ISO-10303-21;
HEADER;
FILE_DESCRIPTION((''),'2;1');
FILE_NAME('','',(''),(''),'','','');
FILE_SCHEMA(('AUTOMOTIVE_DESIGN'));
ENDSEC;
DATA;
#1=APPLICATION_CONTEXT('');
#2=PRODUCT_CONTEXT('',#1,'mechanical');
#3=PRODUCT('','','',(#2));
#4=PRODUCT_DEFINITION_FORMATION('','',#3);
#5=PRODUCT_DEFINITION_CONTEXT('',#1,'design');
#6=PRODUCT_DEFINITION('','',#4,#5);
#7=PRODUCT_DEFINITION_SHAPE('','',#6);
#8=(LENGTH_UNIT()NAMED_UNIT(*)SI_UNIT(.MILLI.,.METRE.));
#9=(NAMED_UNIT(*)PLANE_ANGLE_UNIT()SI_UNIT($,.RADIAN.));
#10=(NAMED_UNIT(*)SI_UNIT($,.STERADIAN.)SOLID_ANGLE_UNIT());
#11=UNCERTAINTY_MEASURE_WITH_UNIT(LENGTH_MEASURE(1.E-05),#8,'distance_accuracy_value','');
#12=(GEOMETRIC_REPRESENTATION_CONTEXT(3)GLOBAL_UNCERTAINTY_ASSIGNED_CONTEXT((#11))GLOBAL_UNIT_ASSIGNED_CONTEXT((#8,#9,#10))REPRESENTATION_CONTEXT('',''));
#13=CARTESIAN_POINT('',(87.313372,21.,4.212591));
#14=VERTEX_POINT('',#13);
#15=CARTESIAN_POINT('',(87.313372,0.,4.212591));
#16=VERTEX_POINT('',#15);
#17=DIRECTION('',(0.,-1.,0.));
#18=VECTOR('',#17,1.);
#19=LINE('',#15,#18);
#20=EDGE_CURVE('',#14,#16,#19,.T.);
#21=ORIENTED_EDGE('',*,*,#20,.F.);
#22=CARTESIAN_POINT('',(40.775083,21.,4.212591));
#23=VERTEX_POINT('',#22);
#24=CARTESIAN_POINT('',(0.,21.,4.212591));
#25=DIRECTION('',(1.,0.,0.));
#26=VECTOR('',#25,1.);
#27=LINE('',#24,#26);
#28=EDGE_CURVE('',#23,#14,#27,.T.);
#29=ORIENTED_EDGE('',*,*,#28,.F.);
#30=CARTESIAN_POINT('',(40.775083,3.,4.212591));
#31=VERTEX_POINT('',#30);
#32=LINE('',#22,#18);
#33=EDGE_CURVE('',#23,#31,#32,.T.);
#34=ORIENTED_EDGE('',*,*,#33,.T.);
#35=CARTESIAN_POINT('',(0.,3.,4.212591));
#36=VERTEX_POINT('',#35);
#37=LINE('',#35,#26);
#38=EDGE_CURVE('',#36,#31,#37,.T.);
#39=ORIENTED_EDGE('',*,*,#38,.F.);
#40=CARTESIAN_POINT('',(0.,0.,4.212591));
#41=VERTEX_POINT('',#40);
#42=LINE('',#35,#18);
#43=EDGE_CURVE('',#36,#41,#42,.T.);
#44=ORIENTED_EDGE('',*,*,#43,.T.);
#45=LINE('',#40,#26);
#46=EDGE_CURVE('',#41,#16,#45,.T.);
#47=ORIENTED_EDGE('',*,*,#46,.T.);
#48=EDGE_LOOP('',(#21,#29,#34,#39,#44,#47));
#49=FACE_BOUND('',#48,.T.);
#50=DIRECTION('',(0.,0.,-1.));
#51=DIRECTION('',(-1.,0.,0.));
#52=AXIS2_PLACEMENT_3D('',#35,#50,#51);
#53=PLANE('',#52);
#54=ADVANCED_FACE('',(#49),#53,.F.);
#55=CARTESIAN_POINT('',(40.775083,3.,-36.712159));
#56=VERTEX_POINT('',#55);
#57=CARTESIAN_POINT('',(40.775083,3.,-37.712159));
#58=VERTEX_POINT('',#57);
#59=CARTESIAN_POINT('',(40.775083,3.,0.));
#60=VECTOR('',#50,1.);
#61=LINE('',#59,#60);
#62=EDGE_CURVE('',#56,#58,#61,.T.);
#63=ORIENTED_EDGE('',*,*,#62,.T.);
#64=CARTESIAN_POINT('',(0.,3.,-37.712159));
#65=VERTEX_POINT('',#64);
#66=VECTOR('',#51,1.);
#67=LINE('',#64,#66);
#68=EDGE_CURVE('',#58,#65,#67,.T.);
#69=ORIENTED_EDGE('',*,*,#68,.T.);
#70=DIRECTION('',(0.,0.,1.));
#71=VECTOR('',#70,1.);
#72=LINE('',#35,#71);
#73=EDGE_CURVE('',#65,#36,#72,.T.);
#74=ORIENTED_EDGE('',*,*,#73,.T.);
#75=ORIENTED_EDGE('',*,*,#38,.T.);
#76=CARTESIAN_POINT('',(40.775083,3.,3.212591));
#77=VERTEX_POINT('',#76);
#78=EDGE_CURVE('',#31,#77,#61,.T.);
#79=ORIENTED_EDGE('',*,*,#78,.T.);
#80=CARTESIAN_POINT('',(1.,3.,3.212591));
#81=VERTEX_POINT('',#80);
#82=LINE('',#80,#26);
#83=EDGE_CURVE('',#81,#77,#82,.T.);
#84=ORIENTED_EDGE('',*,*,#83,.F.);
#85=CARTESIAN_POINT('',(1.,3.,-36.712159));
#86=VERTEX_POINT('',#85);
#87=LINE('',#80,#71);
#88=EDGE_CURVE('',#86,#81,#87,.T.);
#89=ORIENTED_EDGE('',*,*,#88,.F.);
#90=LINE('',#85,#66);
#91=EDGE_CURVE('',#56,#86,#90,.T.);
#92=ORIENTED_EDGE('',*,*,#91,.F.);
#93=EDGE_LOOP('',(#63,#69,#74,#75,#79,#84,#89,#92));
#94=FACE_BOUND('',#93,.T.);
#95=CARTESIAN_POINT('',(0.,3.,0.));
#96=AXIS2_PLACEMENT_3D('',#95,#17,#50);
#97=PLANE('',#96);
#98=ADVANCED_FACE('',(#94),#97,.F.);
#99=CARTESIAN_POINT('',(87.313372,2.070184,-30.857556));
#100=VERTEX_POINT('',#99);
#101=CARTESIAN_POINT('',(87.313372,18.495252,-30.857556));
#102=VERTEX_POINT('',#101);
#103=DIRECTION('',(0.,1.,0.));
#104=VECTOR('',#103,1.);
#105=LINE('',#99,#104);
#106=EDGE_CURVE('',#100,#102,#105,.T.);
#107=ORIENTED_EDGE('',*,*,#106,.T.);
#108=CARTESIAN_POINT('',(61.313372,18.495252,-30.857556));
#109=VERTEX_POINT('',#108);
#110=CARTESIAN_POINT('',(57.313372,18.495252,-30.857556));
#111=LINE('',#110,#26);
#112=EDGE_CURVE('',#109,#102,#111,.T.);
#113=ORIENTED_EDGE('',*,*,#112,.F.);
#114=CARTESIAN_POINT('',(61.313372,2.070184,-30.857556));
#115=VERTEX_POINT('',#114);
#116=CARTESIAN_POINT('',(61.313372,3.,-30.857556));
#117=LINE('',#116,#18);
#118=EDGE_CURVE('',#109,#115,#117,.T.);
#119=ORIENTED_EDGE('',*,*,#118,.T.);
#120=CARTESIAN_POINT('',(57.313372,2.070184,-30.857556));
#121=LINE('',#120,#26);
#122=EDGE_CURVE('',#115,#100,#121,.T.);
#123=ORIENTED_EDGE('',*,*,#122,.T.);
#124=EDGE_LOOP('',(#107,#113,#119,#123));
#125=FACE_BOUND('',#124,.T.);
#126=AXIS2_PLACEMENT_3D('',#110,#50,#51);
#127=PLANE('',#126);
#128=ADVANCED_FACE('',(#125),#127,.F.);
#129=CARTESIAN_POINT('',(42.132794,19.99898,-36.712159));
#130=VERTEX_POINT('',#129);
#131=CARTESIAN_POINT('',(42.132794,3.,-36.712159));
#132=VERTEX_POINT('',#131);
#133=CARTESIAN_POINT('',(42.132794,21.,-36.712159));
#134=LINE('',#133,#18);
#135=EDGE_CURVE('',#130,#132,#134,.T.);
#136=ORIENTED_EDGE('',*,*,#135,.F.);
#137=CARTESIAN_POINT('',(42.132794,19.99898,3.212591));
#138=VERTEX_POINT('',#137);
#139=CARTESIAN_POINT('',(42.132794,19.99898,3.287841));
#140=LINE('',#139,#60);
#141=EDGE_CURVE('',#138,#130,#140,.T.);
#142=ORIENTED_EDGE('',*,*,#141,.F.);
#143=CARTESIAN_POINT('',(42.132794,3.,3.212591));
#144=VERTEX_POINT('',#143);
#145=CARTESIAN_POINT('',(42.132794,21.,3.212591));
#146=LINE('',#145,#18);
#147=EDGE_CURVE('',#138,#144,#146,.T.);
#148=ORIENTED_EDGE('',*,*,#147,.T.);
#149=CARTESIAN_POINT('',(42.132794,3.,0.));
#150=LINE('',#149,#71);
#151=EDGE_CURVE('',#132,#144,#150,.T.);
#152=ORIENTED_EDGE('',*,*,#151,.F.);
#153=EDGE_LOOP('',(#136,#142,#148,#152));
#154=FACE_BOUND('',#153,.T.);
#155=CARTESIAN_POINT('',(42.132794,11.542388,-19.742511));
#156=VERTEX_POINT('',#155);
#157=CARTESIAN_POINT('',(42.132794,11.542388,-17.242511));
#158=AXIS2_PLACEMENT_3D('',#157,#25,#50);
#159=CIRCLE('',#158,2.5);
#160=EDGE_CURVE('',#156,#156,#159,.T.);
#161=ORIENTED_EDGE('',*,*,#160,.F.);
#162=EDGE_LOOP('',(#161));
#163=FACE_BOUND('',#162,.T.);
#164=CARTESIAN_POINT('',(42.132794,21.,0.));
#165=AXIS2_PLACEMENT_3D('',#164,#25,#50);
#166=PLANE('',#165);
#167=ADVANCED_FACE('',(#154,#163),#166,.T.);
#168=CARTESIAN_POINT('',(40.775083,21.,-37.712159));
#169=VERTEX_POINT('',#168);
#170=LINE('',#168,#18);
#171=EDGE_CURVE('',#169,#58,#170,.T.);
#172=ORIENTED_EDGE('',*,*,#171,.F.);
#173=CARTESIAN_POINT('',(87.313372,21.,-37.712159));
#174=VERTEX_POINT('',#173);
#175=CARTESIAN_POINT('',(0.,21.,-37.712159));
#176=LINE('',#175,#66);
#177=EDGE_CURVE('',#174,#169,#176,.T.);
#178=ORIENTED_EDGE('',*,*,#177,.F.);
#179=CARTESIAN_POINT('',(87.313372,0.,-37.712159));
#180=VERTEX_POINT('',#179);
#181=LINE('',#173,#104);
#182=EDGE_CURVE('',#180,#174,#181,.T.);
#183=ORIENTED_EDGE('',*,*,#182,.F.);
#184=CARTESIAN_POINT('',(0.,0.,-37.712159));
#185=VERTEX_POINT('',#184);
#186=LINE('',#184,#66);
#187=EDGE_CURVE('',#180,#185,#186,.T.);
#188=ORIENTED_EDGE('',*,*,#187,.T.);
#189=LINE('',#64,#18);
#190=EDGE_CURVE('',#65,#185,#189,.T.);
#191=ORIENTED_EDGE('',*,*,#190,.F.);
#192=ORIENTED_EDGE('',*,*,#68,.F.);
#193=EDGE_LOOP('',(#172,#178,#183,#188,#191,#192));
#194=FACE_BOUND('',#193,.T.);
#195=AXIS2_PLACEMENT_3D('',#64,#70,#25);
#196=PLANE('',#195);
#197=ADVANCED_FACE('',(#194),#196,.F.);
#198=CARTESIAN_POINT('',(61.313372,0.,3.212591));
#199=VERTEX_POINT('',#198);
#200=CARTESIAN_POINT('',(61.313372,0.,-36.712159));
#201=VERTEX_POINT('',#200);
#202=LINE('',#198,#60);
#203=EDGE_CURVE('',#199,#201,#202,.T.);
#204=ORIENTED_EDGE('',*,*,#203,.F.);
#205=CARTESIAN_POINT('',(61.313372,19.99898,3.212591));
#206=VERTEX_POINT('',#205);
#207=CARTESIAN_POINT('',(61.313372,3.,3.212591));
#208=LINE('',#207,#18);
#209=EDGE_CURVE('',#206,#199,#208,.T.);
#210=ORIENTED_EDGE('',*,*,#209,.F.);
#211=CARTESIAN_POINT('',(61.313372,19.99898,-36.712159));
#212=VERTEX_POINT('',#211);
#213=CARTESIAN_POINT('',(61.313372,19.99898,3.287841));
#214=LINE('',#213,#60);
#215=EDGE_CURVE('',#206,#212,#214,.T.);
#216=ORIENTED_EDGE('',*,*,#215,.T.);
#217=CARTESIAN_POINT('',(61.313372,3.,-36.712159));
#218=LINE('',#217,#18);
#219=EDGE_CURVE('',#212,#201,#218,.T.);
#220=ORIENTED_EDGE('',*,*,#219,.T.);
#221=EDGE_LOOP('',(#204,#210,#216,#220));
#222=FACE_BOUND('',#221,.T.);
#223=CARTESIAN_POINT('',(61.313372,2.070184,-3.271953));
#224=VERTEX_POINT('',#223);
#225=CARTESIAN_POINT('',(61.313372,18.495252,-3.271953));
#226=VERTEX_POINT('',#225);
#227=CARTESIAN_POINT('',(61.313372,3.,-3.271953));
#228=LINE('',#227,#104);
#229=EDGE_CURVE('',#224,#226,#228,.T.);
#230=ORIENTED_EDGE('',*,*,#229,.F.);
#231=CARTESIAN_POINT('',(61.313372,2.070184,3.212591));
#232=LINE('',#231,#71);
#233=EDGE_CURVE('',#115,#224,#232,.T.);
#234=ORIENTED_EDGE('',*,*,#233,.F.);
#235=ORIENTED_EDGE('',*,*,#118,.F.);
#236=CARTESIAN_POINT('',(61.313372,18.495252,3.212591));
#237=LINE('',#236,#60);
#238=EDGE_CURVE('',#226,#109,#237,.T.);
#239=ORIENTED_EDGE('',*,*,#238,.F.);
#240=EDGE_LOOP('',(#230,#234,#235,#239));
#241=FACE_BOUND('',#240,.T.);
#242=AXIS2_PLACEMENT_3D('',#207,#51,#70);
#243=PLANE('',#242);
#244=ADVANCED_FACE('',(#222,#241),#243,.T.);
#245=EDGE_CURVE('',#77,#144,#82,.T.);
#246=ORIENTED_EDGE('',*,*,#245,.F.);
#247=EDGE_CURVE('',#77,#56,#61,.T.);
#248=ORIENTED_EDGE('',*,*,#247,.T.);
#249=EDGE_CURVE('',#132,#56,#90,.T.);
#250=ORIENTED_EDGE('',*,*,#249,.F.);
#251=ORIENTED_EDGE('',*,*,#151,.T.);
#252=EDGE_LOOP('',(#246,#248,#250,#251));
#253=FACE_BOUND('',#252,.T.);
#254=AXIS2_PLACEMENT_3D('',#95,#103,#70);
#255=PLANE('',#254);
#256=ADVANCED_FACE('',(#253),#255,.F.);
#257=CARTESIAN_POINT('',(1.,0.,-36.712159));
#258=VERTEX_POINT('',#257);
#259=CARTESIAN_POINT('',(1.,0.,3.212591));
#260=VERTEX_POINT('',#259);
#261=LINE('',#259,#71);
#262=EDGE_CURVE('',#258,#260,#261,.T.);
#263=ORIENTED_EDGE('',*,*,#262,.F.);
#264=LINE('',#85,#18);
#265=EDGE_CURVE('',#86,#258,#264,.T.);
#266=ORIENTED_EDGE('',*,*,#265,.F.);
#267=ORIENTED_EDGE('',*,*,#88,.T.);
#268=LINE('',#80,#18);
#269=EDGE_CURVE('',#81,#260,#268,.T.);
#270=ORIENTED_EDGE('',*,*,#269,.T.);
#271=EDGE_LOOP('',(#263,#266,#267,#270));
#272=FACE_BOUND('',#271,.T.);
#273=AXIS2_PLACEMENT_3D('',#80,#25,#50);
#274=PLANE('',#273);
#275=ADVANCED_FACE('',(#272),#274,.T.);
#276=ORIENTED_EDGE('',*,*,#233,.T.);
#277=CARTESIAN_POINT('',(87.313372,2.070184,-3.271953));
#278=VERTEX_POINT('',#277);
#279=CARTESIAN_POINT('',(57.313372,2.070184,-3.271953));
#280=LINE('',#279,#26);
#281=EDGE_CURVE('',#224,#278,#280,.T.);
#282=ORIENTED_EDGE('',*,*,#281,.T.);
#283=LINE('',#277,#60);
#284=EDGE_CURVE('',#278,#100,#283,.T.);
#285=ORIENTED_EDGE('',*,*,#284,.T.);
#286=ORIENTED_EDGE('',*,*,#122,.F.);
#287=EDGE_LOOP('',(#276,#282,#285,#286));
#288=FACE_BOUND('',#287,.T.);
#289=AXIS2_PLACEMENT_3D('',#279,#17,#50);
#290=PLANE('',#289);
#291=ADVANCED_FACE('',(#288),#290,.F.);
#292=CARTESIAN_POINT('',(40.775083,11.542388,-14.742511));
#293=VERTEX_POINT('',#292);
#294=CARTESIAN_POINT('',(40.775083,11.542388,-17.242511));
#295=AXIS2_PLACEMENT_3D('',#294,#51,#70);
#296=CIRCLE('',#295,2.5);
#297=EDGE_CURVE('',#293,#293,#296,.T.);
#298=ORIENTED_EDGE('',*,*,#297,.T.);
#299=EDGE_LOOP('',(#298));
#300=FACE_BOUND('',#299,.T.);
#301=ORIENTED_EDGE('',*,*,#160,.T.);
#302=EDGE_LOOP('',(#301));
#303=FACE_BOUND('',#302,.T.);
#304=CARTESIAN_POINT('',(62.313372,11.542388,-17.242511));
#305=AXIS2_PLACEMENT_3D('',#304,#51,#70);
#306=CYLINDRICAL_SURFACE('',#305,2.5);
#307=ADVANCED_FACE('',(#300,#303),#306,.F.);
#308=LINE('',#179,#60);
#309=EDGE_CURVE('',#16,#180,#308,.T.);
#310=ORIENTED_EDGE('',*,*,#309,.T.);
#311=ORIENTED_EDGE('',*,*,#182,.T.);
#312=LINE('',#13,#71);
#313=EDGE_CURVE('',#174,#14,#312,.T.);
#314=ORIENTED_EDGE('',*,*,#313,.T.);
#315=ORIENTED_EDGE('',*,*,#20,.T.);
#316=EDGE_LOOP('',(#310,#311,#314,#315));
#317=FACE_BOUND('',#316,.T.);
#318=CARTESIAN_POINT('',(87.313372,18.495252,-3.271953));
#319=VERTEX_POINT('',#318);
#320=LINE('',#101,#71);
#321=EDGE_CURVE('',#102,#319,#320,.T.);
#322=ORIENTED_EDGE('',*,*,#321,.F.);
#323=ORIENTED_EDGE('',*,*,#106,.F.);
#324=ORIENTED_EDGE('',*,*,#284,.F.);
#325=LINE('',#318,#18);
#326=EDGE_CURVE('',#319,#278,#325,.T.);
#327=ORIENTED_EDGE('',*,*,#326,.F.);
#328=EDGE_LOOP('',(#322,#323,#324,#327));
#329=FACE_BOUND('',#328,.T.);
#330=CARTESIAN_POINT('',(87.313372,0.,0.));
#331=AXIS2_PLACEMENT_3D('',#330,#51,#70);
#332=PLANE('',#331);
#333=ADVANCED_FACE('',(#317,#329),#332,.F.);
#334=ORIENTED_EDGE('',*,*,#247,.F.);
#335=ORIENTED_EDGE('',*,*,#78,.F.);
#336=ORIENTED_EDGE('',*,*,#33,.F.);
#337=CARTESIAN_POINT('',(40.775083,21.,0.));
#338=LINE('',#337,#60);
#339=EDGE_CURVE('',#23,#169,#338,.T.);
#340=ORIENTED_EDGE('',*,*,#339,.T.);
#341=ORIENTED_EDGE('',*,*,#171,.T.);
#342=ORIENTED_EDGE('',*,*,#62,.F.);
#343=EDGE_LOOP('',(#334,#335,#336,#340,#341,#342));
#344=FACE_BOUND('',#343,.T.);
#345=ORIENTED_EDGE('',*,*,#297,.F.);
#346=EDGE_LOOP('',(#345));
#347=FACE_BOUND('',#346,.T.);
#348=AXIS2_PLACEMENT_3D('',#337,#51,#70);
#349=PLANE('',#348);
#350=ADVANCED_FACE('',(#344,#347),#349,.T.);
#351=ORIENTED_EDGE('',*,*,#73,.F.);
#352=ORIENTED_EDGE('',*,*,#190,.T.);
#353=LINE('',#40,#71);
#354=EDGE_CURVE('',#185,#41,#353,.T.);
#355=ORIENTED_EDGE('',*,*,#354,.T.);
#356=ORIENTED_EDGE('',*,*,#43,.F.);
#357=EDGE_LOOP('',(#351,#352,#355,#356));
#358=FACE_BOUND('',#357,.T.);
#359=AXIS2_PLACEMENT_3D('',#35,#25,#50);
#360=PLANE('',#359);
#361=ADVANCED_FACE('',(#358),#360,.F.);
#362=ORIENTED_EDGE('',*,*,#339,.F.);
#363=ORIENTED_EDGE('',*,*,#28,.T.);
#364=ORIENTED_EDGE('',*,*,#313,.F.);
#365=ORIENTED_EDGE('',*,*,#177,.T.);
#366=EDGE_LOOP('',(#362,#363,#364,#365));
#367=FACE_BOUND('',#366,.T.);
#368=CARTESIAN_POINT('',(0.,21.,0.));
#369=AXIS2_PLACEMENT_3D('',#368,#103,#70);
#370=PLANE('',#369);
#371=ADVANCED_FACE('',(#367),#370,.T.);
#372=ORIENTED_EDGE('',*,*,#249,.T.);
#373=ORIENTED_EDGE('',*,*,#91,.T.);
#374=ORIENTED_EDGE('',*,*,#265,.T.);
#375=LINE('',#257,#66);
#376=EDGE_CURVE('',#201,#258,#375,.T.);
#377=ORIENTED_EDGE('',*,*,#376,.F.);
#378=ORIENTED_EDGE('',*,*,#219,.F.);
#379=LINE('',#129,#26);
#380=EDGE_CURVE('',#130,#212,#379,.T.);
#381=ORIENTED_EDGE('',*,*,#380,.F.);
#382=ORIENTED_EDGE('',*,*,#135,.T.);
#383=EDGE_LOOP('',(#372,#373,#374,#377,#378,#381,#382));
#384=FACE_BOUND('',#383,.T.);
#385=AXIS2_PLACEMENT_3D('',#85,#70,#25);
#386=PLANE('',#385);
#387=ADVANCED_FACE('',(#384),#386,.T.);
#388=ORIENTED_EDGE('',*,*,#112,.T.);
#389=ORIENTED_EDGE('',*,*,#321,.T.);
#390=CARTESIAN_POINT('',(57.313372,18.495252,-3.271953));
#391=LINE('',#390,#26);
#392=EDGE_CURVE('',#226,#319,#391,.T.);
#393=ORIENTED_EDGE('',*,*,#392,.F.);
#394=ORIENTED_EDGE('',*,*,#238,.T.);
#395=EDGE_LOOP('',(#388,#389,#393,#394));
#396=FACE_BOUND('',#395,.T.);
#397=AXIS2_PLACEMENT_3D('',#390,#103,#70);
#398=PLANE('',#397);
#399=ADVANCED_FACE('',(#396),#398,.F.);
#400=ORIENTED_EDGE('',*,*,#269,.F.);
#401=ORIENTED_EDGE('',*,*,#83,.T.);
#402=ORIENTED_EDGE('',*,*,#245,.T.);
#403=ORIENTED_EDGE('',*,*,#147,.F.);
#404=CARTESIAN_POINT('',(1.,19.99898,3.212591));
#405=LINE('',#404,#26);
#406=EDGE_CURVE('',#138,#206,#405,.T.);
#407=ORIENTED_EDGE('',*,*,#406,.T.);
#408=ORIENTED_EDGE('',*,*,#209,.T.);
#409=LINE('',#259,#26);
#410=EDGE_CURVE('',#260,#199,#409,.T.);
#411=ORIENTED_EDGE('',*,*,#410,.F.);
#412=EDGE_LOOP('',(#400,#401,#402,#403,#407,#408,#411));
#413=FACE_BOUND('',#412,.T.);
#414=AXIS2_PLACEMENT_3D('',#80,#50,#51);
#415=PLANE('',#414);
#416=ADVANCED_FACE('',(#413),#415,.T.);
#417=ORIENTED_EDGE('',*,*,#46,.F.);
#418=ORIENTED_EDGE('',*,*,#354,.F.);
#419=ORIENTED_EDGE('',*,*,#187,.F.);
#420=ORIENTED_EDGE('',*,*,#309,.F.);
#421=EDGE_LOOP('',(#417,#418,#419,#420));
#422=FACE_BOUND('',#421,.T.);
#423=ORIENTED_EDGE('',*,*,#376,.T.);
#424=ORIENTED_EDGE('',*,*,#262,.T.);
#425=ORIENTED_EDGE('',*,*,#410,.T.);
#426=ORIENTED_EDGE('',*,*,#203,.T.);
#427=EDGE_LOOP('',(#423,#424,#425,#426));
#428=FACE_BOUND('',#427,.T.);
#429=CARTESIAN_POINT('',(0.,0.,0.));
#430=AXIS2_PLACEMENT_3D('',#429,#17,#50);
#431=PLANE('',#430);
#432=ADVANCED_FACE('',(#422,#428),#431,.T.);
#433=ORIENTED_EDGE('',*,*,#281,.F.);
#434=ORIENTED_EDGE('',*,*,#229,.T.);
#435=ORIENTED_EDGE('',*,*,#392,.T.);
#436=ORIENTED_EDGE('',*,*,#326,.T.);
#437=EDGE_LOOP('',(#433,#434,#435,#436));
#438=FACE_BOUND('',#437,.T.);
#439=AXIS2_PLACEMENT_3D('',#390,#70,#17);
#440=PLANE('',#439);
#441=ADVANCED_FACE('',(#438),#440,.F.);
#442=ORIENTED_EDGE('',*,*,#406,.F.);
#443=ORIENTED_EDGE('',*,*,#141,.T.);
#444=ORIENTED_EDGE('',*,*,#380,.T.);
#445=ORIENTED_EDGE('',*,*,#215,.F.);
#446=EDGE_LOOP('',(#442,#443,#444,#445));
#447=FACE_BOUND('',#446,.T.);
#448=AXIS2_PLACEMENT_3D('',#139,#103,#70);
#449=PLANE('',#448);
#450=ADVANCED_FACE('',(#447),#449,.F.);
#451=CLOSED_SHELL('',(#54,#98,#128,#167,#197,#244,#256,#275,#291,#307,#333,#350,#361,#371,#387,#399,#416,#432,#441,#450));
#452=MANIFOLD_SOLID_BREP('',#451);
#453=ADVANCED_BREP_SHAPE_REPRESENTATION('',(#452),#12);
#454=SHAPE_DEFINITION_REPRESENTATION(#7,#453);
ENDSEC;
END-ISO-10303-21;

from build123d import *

# Parameters (mm, degrees)
CROQUIS1_W              = 62.313372472
CROQUIS1_H              = 41.924750101
CROQUIS1_W_2            = 60.313372472
CROQUIS1_H_2            = 39.924750101
SALIENTE_EXTRUIR1_DEPTH = 3
CROQUIS3_W              = 1.357711699
CROQUIS3_H              = 39.924750101
CROQUIS3_H_2            = 1
SALIENTE_EXTRUIR2_DEPTH = 18
CROQUIS4_R              = 2.5
CORTAR_EXTRUIR1_DEPTH   = 60.378567465
CROQUIS5_W              = 19.180578122
CROQUIS5_H              = 1.001020226
SALIENTE_EXTRUIR3_DEPTH = 40
CROQUIS6_W              = 27.585602981
CROQUIS6_H              = 16.425068323
CORTAR_EXTRUIR2_DEPTH   = 5
CROQUIS7_W              = 41.924750101
CROQUIS7_H              = 21
CROQUIS7_W_2            = 27.585602981
CROQUIS7_H_2            = 16.425068323
SALIENTE_EXTRUIR4_DEPTH = 25


with BuildPart() as part:
    # Croquis1 → Saliente-Extruir1 (new body)
    with BuildSketch(Plane(origin=(0, 0, 0), x_dir=(1, 0, 0), z_dir=(0, 1, 0))):
        with Locations((31.156686236, 16.749783587)):
            Rectangle(CROQUIS1_W, CROQUIS1_H)
        with Locations((31.156686236, 16.749783587)):
            Rectangle(CROQUIS1_W_2, CROQUIS1_H_2, mode=Mode.SUBTRACT)
    extrude(amount=SALIENTE_EXTRUIR1_DEPTH)

    # Croquis3 → Saliente-Extruir2 (add)
    with BuildSketch(Plane(origin=(0, 3, 0), x_dir=(1, 0, 0), z_dir=(0, 1, 0))):
        with Locations((41.453938501, 16.749783587)):
            Rectangle(CROQUIS3_W, CROQUIS3_H)
        Polygon((42.13279435, -3.212591464), (42.13279435, -4.212591464), (62.313372472, -4.212591464), (62.313372472, 37.712158637), (42.13279435, 37.712158637), (42.13279435, 36.712158637), (61.313372472, 36.712158637), (61.313372472, -3.212591464), align=None)
        with Locations((41.453938501, -3.712591464)):
            Rectangle(CROQUIS3_W, CROQUIS3_H_2)
        with Locations((41.453938501, 37.212158637)):
            Rectangle(CROQUIS3_W, CROQUIS3_H_2)
    extrude(amount=SALIENTE_EXTRUIR2_DEPTH)

    # Croquis4 → Cortar-Extruir1 (cut, through all)
    with BuildSketch(Plane.ZY.offset(-40.775082651)):
        with Locations((-17.242511343, 11.542387771)):
            Circle(CROQUIS4_R)
    extrude(amount=-CORTAR_EXTRUIR1_DEPTH, mode=Mode.SUBTRACT)

    # Croquis5 → Saliente-Extruir3 (add)
    with BuildSketch(Plane.XY.offset(-36.712158637)):
        with Locations((51.723083411, 20.499489887)):
            Rectangle(CROQUIS5_W, CROQUIS5_H)
    extrude(amount=SALIENTE_EXTRUIR3_DEPTH)

    # Croquis6 → Cortar-Extruir2 (cut)
    with BuildSketch(Plane(origin=(62.313372472, 0, 0), x_dir=(0, 0, -1), z_dir=(1, 0, 0))):
        with Locations((17.064754598, 10.282718264)):
            Rectangle(CROQUIS6_W, CROQUIS6_H)
    extrude(amount=-CORTAR_EXTRUIR2_DEPTH, mode=Mode.SUBTRACT)

    # Croquis7 → Saliente-Extruir4 (add)
    with BuildSketch(Plane(origin=(62.313372472, 0, 0), x_dir=(0, 0, -1), z_dir=(1, 0, 0))):
        with Locations((16.749783587, 10.5)):
            Rectangle(CROQUIS7_W, CROQUIS7_H)
        with Locations((17.064754598, 10.282718264)):
            Rectangle(CROQUIS7_W_2, CROQUIS7_H_2, mode=Mode.SUBTRACT)
    extrude(amount=SALIENTE_EXTRUIR4_DEPTH)


solid = part.part
